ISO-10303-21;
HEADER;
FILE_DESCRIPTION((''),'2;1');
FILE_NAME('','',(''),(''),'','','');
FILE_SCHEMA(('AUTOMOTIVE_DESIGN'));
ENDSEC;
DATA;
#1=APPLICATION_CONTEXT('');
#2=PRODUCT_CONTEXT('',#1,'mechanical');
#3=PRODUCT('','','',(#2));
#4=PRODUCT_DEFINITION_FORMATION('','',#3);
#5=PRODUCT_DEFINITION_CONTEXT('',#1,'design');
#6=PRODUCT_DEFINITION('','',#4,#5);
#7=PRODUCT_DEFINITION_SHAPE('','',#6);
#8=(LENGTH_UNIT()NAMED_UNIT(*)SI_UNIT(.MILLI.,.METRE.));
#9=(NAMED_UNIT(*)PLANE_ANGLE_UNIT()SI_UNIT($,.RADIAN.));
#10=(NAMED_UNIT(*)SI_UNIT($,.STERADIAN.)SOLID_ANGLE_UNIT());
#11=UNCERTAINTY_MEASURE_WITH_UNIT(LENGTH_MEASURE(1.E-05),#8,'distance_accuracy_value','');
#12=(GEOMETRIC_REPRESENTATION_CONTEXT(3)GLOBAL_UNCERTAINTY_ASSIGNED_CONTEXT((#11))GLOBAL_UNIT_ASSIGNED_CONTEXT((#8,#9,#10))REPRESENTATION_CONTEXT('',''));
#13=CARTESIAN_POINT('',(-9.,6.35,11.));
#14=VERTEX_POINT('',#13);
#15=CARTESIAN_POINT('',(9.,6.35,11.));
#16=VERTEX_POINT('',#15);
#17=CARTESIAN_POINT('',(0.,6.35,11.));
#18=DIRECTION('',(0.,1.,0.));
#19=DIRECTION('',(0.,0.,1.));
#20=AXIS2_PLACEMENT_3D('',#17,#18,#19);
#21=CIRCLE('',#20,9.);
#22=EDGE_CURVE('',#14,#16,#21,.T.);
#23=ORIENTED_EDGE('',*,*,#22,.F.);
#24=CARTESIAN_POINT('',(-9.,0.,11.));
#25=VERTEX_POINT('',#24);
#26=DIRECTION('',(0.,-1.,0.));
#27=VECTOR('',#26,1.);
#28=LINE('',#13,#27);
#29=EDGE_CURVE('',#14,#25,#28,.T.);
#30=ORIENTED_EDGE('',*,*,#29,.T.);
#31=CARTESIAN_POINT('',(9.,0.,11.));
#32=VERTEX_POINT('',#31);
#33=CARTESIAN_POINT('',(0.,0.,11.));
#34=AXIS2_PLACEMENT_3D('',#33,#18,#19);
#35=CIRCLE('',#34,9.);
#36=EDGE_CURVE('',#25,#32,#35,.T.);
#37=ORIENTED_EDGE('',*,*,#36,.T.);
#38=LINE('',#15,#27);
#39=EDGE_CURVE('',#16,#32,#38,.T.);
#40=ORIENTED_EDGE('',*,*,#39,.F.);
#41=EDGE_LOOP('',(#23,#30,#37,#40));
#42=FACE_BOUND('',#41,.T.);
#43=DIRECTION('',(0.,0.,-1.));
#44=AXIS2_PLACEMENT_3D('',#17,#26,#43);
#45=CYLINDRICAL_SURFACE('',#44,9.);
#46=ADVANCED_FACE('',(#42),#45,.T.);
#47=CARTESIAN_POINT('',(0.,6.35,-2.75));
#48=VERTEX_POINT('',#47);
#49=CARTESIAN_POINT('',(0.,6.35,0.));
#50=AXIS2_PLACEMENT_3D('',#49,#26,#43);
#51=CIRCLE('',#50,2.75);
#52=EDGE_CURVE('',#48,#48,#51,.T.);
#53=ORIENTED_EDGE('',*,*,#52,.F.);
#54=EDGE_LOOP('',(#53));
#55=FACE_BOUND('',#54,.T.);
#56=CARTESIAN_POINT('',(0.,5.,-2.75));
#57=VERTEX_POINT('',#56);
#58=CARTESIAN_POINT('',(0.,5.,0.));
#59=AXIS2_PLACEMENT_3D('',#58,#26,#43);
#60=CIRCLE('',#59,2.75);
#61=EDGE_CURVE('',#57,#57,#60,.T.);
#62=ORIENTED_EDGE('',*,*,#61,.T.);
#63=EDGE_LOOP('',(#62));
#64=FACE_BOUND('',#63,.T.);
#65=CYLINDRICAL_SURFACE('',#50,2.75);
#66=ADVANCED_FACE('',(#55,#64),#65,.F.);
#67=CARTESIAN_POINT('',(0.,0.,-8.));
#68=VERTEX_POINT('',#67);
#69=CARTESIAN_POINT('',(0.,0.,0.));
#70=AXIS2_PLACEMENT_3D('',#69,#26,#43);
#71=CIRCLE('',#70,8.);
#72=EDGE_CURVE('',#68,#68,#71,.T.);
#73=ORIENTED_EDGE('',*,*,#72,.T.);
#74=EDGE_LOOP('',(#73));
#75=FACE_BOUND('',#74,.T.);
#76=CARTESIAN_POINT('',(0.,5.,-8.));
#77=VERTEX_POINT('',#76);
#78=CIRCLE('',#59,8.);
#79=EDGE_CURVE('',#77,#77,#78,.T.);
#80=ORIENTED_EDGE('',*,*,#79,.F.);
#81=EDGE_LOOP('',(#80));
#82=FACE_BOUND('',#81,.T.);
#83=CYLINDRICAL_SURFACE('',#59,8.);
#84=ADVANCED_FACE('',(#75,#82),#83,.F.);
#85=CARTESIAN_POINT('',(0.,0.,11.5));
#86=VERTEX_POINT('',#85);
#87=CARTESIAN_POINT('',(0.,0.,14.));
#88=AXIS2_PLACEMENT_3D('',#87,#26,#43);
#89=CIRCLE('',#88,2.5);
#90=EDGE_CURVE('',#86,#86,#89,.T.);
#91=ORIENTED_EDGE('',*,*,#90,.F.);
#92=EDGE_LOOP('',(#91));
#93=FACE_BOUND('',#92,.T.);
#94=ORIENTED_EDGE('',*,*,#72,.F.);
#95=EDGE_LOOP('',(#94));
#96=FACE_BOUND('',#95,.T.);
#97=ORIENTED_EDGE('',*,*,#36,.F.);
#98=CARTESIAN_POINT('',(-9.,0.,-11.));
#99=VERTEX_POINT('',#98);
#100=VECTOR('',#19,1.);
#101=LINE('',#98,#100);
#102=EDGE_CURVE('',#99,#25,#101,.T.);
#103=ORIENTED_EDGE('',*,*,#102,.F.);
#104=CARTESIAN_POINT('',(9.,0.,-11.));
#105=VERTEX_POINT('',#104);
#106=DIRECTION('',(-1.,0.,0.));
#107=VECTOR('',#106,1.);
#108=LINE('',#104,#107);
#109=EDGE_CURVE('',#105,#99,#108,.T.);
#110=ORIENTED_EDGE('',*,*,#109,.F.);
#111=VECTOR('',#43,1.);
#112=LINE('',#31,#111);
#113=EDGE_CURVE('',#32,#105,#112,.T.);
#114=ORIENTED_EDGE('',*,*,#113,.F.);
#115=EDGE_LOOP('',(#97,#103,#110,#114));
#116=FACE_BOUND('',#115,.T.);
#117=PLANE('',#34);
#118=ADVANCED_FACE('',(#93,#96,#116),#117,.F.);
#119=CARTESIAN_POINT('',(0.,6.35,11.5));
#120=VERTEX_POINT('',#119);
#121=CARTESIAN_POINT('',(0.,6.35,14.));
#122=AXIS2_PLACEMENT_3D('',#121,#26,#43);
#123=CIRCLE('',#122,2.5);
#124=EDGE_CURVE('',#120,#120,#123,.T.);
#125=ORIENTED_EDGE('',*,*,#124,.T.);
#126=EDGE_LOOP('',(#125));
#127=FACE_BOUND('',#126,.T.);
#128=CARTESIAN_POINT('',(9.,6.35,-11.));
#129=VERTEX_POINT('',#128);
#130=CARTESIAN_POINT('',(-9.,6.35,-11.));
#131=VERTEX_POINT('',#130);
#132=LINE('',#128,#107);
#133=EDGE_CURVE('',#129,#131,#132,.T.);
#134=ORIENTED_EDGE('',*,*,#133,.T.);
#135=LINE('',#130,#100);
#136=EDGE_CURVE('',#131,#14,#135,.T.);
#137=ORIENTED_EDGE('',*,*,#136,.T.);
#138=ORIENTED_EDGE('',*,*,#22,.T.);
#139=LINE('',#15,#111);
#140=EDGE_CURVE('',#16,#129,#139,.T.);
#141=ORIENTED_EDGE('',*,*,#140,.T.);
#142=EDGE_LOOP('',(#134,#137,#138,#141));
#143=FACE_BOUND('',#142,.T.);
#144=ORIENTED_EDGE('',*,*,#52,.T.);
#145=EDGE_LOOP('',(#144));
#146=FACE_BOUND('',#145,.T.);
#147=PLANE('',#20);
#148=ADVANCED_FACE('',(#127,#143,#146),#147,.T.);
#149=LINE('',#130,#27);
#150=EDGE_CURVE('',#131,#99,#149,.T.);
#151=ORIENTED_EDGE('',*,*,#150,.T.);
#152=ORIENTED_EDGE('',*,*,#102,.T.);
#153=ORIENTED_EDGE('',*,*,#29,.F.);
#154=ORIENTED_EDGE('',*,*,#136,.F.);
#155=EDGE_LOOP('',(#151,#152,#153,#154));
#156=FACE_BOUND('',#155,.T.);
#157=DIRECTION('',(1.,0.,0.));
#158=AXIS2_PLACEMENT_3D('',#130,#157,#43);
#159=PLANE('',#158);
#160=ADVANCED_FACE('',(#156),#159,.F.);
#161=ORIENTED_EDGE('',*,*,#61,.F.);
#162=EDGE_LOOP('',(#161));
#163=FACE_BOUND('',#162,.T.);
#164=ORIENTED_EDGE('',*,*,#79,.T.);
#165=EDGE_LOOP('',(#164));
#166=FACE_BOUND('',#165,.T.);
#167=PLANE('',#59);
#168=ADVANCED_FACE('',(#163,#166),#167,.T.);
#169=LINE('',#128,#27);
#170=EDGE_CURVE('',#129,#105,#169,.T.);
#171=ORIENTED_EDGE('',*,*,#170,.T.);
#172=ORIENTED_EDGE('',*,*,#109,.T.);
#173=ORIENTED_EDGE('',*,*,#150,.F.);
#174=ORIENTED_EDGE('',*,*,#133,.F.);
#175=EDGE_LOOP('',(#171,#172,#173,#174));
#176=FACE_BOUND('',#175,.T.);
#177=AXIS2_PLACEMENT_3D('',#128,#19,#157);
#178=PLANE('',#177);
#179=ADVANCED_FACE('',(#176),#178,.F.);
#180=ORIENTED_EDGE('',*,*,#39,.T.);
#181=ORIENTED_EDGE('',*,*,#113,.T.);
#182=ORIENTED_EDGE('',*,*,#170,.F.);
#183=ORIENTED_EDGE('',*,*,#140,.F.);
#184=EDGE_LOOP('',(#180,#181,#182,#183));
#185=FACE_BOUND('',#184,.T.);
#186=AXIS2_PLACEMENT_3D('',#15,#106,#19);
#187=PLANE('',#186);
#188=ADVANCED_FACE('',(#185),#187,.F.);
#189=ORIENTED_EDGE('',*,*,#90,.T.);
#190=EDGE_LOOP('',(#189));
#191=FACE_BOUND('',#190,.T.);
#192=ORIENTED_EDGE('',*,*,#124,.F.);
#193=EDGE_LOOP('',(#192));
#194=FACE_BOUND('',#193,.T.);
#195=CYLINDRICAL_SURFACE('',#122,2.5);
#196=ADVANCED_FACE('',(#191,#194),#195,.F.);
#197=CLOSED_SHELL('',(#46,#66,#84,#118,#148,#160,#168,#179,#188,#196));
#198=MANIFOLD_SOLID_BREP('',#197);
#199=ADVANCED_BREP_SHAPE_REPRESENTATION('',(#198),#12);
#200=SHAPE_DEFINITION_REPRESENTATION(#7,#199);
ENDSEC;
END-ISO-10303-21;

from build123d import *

# Parameters (mm, degrees)
BOSS_EXTRUDE1_DEPTH = 6.35
SKETCH2_R           = 8
CUT_EXTRUDE1_DEPTH  = 5
SKETCH3_R           = 2.75
CUT_EXTRUDE2_DEPTH  = 2.35
SKETCH4_R           = 2.5
CUT_EXTRUDE3_DEPTH  = 7.35


with BuildPart() as part:
    # Sketch1 → Boss-Extrude1 (new body)
    with BuildSketch(Plane(origin=(0, 0, 0), x_dir=(1, 0, 0), z_dir=(0, 1, 0))):
        with BuildLine():
            Line((9, 11), (-9, 11))
            Line((-9, 11), (-9, -11))
            ThreePointArc((-9, -11), (0, -20), (9, -11))
            Line((9, -11), (9, 11))
        make_face()
    extrude(amount=BOSS_EXTRUDE1_DEPTH)

    # Sketch2 → Cut-Extrude1 (cut)
    with BuildSketch(Plane.XZ):
        Circle(SKETCH2_R)
    extrude(amount=-CUT_EXTRUDE1_DEPTH, mode=Mode.SUBTRACT)

    # Sketch3 → Cut-Extrude2 (cut, through all)
    with BuildSketch(Plane.XZ.offset(-5)):
        Circle(SKETCH3_R)
    extrude(amount=-CUT_EXTRUDE2_DEPTH, mode=Mode.SUBTRACT)

    # Sketch4 → Cut-Extrude3 (cut, through all)
    with BuildSketch(Plane.XZ):
        with Locations((0, 14)):
            Circle(SKETCH4_R)
        with Locations((0, -13.5)):
            Circle(SKETCH4_R)
    extrude(amount=-CUT_EXTRUDE3_DEPTH, mode=Mode.SUBTRACT)


solid = part.part
